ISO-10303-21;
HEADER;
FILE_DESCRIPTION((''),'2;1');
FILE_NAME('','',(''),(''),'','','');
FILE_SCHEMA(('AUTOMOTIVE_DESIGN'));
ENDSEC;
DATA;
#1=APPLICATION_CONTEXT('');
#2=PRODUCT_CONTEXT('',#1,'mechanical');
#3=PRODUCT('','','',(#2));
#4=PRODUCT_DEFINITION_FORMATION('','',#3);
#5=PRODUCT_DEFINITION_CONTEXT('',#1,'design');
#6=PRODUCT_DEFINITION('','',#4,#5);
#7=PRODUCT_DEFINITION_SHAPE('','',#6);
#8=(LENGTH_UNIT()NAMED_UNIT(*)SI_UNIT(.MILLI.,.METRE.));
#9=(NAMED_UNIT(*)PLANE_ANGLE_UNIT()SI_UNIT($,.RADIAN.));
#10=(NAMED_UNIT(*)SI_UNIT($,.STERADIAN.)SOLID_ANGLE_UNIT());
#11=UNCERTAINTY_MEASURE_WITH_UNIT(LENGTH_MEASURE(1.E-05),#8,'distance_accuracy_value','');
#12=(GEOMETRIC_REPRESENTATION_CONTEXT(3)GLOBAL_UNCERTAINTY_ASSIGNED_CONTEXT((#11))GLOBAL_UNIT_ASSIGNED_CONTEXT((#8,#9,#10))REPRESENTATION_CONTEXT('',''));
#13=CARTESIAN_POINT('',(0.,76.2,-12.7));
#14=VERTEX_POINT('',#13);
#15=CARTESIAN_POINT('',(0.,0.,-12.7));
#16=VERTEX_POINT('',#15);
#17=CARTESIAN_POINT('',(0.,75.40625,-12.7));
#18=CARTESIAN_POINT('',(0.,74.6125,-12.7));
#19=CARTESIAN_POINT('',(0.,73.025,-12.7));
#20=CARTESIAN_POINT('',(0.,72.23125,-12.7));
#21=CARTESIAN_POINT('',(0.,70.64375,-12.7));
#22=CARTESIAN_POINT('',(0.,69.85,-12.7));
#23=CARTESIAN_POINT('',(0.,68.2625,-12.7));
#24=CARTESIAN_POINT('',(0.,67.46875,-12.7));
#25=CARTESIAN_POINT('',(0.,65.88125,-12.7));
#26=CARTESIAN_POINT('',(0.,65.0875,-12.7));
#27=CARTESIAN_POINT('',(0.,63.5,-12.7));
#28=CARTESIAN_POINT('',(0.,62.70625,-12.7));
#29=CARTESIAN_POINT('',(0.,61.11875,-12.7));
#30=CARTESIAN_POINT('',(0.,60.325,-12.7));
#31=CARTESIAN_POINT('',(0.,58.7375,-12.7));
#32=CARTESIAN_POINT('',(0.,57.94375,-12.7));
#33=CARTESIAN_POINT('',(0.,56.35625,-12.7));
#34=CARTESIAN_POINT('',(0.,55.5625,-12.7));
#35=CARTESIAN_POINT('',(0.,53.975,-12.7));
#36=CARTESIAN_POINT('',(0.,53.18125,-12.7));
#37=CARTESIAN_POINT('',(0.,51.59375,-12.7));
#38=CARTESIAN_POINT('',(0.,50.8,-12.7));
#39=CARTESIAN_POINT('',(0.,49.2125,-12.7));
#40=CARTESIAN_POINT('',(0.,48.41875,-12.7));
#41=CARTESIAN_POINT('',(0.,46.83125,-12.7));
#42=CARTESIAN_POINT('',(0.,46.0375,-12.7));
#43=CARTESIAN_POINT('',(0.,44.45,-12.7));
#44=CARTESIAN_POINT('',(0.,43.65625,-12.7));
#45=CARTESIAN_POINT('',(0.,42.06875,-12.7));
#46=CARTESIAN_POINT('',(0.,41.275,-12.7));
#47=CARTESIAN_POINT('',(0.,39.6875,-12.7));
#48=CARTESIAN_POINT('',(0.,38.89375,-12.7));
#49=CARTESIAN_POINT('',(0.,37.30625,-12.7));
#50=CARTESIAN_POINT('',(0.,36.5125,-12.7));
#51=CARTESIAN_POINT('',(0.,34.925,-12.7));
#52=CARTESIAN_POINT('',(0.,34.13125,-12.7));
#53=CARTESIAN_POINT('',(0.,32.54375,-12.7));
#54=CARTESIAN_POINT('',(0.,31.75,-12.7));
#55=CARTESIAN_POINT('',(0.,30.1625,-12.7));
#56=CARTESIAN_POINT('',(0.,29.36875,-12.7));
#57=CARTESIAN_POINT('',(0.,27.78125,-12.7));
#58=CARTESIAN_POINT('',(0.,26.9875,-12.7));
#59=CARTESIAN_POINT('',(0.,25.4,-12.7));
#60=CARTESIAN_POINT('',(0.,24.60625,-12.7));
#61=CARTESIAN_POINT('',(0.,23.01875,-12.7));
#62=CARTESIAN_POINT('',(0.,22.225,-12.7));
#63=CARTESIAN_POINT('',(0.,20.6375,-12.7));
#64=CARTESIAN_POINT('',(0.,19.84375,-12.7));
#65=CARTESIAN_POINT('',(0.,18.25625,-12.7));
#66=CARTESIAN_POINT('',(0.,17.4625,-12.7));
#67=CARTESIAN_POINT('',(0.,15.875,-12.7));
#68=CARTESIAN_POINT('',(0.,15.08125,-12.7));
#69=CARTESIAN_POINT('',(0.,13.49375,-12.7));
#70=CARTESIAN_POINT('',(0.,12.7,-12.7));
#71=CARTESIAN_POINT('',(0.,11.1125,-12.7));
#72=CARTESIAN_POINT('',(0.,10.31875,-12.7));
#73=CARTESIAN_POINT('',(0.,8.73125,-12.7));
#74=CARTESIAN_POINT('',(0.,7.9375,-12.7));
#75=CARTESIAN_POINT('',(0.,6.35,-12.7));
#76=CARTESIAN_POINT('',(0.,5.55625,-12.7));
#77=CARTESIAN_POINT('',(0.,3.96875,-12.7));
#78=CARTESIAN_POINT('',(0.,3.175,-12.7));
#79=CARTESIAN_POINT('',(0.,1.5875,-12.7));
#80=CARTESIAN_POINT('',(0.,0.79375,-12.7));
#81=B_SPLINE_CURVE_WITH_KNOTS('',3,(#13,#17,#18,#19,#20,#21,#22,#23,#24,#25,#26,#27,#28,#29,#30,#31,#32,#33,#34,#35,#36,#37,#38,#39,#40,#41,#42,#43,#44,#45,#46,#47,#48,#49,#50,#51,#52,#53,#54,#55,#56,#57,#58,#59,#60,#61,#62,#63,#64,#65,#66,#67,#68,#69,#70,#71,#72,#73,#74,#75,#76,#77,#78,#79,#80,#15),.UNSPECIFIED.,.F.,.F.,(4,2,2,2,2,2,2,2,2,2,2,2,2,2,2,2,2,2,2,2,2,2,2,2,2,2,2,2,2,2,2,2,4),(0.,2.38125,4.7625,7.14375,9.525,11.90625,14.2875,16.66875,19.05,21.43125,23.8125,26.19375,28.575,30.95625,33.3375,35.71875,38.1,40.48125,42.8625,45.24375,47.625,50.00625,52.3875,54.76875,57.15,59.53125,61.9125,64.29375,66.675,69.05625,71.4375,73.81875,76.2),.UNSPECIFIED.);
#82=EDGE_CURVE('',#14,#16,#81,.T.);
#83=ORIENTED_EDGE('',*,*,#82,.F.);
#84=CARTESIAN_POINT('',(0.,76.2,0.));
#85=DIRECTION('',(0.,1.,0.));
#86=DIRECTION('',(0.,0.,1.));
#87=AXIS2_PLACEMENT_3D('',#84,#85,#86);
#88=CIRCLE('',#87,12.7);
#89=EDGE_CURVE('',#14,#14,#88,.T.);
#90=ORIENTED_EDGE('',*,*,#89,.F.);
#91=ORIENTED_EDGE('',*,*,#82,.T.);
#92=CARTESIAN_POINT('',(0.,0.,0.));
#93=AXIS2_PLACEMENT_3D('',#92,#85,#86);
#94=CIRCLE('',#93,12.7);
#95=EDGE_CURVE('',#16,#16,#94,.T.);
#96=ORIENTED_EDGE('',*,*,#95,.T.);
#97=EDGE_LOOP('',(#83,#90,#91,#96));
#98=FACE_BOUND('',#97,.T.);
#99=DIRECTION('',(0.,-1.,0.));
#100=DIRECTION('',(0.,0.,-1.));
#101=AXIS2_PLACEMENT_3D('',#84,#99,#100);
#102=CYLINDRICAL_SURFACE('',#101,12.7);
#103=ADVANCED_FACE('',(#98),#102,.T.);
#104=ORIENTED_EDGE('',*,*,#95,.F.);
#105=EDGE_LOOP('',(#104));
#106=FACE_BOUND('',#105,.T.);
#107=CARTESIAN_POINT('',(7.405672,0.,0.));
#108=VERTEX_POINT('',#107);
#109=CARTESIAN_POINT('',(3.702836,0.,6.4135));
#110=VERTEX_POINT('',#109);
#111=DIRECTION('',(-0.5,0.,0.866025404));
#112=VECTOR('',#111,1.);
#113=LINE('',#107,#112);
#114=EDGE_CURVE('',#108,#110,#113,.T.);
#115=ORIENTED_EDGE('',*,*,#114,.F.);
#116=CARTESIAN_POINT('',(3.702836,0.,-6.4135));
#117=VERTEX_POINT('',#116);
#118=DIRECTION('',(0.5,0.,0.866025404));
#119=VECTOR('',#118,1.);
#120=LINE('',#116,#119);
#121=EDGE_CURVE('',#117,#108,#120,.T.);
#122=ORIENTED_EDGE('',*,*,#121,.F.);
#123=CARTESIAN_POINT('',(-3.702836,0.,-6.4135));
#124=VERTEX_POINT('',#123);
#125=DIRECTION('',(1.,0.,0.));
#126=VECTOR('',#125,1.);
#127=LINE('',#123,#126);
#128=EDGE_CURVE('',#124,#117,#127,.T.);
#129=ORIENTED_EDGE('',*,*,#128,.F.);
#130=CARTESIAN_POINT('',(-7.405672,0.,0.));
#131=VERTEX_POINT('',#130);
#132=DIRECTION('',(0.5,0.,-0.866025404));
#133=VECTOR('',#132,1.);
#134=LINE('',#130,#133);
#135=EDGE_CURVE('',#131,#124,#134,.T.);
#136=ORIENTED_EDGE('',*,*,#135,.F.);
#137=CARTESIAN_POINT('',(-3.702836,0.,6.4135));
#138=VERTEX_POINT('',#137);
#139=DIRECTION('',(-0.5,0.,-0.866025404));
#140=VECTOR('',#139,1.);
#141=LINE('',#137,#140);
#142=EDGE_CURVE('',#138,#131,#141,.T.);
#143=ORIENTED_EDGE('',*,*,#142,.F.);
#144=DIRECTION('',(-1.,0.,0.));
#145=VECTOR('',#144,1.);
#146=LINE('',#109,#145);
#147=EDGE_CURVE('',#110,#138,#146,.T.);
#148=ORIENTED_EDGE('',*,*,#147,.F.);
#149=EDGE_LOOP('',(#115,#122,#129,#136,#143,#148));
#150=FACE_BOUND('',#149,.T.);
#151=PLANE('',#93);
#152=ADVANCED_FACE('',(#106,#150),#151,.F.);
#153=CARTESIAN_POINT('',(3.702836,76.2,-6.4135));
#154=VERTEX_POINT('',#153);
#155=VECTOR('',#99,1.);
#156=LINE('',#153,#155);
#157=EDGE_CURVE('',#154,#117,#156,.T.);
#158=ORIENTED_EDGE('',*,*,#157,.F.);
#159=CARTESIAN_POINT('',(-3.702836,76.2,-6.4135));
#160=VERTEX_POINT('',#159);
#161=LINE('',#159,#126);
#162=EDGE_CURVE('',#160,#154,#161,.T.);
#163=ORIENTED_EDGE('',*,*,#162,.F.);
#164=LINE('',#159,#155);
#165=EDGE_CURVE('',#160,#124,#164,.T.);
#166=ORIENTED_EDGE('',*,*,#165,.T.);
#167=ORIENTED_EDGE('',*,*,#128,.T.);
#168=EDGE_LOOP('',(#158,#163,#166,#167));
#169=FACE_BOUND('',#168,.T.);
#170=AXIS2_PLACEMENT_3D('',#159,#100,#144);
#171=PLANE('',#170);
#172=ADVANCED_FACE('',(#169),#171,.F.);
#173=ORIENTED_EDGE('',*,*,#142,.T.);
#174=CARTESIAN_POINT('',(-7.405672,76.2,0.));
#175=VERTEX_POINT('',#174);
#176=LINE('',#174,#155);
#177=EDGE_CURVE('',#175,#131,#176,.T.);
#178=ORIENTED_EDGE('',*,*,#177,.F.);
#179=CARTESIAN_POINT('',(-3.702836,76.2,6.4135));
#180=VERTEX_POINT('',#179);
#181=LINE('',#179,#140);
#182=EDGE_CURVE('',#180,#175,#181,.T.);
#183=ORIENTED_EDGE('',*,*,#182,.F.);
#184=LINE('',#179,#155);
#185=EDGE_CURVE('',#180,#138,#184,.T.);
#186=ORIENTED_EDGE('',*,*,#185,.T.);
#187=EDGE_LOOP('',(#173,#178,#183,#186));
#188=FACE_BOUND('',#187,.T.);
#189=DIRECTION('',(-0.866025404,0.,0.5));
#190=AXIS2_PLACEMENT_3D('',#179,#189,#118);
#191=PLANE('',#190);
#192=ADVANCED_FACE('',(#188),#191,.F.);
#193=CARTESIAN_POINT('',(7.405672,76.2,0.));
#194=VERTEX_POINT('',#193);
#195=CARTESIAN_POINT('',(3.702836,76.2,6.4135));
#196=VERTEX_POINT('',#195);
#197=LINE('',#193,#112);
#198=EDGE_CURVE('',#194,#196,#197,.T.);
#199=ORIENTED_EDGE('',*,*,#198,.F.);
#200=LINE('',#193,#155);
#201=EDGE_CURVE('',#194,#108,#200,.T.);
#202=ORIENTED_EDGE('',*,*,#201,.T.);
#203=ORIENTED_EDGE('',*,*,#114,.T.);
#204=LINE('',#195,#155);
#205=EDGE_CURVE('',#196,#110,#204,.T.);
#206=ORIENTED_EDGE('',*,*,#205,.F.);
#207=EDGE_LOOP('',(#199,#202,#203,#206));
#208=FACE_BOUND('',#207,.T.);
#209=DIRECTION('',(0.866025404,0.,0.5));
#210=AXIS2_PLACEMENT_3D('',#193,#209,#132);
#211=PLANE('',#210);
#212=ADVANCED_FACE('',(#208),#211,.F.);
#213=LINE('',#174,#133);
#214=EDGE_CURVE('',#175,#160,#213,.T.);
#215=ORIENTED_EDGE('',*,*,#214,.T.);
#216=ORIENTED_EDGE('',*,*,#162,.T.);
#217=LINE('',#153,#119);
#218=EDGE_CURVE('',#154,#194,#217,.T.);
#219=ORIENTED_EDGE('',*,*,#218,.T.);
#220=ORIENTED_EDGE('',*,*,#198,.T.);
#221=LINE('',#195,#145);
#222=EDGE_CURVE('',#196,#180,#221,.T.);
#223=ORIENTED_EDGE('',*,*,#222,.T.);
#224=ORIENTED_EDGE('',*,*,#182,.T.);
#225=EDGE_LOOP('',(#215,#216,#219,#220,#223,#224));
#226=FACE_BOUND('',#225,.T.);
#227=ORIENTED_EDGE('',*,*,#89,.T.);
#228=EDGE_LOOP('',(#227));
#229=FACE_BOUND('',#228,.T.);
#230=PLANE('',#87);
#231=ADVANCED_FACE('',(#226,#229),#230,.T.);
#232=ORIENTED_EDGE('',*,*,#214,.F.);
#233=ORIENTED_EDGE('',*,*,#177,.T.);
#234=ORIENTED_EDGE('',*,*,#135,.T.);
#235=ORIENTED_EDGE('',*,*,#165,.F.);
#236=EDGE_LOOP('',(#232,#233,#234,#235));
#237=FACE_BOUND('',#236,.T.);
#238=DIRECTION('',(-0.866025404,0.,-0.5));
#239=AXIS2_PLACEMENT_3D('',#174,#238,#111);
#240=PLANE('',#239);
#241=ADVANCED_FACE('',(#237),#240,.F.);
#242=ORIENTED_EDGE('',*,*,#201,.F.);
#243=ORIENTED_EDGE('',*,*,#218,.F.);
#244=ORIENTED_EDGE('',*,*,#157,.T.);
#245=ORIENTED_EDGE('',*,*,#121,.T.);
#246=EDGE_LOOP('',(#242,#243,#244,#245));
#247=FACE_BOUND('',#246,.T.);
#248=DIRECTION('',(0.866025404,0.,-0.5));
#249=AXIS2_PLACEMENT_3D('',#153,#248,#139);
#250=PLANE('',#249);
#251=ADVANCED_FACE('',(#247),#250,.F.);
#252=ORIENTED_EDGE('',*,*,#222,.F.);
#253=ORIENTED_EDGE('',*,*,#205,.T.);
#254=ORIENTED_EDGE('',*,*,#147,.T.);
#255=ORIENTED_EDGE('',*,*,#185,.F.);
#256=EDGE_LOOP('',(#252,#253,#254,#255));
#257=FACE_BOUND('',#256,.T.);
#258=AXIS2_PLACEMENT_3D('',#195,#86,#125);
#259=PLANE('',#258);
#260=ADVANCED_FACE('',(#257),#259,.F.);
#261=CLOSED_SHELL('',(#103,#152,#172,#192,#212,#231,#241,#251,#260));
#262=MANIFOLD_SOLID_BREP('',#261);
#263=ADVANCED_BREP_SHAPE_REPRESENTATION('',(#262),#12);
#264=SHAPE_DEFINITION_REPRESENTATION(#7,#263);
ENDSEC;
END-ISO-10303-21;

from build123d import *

# Parameters (mm, degrees)
SKETCH1_R           = 12.7
BOSS_EXTRUDE1_DEPTH = 76.2
CUT_EXTRUDE1_DEPTH  = 79.288057838


with BuildPart() as part:
    # Sketch1 → Boss-Extrude1 (new body)
    with BuildSketch(Plane(origin=(0, 0, 0), x_dir=(1, 0, 0), z_dir=(0, 1, 0))):
        with Locations(Location((0, 0, 0), (0, 0, 90))):
            Circle(SKETCH1_R)
    extrude(amount=BOSS_EXTRUDE1_DEPTH)

    # Sketch5 → Cut-Extrude1 (cut, through all)
    with BuildSketch(Plane(origin=(0, 0, 0), x_dir=(-1, 0, 0), z_dir=(0, -1, 0))):
        Polygon((-7.405671903, 0), (-3.702835951, -6.4135), (3.702835951, -6.4135), (7.405671903, 0), (3.702835951, 6.4135), (-3.702835951, 6.4135), align=None)
    extrude(amount=-CUT_EXTRUDE1_DEPTH, mode=Mode.SUBTRACT)


solid = part.part
